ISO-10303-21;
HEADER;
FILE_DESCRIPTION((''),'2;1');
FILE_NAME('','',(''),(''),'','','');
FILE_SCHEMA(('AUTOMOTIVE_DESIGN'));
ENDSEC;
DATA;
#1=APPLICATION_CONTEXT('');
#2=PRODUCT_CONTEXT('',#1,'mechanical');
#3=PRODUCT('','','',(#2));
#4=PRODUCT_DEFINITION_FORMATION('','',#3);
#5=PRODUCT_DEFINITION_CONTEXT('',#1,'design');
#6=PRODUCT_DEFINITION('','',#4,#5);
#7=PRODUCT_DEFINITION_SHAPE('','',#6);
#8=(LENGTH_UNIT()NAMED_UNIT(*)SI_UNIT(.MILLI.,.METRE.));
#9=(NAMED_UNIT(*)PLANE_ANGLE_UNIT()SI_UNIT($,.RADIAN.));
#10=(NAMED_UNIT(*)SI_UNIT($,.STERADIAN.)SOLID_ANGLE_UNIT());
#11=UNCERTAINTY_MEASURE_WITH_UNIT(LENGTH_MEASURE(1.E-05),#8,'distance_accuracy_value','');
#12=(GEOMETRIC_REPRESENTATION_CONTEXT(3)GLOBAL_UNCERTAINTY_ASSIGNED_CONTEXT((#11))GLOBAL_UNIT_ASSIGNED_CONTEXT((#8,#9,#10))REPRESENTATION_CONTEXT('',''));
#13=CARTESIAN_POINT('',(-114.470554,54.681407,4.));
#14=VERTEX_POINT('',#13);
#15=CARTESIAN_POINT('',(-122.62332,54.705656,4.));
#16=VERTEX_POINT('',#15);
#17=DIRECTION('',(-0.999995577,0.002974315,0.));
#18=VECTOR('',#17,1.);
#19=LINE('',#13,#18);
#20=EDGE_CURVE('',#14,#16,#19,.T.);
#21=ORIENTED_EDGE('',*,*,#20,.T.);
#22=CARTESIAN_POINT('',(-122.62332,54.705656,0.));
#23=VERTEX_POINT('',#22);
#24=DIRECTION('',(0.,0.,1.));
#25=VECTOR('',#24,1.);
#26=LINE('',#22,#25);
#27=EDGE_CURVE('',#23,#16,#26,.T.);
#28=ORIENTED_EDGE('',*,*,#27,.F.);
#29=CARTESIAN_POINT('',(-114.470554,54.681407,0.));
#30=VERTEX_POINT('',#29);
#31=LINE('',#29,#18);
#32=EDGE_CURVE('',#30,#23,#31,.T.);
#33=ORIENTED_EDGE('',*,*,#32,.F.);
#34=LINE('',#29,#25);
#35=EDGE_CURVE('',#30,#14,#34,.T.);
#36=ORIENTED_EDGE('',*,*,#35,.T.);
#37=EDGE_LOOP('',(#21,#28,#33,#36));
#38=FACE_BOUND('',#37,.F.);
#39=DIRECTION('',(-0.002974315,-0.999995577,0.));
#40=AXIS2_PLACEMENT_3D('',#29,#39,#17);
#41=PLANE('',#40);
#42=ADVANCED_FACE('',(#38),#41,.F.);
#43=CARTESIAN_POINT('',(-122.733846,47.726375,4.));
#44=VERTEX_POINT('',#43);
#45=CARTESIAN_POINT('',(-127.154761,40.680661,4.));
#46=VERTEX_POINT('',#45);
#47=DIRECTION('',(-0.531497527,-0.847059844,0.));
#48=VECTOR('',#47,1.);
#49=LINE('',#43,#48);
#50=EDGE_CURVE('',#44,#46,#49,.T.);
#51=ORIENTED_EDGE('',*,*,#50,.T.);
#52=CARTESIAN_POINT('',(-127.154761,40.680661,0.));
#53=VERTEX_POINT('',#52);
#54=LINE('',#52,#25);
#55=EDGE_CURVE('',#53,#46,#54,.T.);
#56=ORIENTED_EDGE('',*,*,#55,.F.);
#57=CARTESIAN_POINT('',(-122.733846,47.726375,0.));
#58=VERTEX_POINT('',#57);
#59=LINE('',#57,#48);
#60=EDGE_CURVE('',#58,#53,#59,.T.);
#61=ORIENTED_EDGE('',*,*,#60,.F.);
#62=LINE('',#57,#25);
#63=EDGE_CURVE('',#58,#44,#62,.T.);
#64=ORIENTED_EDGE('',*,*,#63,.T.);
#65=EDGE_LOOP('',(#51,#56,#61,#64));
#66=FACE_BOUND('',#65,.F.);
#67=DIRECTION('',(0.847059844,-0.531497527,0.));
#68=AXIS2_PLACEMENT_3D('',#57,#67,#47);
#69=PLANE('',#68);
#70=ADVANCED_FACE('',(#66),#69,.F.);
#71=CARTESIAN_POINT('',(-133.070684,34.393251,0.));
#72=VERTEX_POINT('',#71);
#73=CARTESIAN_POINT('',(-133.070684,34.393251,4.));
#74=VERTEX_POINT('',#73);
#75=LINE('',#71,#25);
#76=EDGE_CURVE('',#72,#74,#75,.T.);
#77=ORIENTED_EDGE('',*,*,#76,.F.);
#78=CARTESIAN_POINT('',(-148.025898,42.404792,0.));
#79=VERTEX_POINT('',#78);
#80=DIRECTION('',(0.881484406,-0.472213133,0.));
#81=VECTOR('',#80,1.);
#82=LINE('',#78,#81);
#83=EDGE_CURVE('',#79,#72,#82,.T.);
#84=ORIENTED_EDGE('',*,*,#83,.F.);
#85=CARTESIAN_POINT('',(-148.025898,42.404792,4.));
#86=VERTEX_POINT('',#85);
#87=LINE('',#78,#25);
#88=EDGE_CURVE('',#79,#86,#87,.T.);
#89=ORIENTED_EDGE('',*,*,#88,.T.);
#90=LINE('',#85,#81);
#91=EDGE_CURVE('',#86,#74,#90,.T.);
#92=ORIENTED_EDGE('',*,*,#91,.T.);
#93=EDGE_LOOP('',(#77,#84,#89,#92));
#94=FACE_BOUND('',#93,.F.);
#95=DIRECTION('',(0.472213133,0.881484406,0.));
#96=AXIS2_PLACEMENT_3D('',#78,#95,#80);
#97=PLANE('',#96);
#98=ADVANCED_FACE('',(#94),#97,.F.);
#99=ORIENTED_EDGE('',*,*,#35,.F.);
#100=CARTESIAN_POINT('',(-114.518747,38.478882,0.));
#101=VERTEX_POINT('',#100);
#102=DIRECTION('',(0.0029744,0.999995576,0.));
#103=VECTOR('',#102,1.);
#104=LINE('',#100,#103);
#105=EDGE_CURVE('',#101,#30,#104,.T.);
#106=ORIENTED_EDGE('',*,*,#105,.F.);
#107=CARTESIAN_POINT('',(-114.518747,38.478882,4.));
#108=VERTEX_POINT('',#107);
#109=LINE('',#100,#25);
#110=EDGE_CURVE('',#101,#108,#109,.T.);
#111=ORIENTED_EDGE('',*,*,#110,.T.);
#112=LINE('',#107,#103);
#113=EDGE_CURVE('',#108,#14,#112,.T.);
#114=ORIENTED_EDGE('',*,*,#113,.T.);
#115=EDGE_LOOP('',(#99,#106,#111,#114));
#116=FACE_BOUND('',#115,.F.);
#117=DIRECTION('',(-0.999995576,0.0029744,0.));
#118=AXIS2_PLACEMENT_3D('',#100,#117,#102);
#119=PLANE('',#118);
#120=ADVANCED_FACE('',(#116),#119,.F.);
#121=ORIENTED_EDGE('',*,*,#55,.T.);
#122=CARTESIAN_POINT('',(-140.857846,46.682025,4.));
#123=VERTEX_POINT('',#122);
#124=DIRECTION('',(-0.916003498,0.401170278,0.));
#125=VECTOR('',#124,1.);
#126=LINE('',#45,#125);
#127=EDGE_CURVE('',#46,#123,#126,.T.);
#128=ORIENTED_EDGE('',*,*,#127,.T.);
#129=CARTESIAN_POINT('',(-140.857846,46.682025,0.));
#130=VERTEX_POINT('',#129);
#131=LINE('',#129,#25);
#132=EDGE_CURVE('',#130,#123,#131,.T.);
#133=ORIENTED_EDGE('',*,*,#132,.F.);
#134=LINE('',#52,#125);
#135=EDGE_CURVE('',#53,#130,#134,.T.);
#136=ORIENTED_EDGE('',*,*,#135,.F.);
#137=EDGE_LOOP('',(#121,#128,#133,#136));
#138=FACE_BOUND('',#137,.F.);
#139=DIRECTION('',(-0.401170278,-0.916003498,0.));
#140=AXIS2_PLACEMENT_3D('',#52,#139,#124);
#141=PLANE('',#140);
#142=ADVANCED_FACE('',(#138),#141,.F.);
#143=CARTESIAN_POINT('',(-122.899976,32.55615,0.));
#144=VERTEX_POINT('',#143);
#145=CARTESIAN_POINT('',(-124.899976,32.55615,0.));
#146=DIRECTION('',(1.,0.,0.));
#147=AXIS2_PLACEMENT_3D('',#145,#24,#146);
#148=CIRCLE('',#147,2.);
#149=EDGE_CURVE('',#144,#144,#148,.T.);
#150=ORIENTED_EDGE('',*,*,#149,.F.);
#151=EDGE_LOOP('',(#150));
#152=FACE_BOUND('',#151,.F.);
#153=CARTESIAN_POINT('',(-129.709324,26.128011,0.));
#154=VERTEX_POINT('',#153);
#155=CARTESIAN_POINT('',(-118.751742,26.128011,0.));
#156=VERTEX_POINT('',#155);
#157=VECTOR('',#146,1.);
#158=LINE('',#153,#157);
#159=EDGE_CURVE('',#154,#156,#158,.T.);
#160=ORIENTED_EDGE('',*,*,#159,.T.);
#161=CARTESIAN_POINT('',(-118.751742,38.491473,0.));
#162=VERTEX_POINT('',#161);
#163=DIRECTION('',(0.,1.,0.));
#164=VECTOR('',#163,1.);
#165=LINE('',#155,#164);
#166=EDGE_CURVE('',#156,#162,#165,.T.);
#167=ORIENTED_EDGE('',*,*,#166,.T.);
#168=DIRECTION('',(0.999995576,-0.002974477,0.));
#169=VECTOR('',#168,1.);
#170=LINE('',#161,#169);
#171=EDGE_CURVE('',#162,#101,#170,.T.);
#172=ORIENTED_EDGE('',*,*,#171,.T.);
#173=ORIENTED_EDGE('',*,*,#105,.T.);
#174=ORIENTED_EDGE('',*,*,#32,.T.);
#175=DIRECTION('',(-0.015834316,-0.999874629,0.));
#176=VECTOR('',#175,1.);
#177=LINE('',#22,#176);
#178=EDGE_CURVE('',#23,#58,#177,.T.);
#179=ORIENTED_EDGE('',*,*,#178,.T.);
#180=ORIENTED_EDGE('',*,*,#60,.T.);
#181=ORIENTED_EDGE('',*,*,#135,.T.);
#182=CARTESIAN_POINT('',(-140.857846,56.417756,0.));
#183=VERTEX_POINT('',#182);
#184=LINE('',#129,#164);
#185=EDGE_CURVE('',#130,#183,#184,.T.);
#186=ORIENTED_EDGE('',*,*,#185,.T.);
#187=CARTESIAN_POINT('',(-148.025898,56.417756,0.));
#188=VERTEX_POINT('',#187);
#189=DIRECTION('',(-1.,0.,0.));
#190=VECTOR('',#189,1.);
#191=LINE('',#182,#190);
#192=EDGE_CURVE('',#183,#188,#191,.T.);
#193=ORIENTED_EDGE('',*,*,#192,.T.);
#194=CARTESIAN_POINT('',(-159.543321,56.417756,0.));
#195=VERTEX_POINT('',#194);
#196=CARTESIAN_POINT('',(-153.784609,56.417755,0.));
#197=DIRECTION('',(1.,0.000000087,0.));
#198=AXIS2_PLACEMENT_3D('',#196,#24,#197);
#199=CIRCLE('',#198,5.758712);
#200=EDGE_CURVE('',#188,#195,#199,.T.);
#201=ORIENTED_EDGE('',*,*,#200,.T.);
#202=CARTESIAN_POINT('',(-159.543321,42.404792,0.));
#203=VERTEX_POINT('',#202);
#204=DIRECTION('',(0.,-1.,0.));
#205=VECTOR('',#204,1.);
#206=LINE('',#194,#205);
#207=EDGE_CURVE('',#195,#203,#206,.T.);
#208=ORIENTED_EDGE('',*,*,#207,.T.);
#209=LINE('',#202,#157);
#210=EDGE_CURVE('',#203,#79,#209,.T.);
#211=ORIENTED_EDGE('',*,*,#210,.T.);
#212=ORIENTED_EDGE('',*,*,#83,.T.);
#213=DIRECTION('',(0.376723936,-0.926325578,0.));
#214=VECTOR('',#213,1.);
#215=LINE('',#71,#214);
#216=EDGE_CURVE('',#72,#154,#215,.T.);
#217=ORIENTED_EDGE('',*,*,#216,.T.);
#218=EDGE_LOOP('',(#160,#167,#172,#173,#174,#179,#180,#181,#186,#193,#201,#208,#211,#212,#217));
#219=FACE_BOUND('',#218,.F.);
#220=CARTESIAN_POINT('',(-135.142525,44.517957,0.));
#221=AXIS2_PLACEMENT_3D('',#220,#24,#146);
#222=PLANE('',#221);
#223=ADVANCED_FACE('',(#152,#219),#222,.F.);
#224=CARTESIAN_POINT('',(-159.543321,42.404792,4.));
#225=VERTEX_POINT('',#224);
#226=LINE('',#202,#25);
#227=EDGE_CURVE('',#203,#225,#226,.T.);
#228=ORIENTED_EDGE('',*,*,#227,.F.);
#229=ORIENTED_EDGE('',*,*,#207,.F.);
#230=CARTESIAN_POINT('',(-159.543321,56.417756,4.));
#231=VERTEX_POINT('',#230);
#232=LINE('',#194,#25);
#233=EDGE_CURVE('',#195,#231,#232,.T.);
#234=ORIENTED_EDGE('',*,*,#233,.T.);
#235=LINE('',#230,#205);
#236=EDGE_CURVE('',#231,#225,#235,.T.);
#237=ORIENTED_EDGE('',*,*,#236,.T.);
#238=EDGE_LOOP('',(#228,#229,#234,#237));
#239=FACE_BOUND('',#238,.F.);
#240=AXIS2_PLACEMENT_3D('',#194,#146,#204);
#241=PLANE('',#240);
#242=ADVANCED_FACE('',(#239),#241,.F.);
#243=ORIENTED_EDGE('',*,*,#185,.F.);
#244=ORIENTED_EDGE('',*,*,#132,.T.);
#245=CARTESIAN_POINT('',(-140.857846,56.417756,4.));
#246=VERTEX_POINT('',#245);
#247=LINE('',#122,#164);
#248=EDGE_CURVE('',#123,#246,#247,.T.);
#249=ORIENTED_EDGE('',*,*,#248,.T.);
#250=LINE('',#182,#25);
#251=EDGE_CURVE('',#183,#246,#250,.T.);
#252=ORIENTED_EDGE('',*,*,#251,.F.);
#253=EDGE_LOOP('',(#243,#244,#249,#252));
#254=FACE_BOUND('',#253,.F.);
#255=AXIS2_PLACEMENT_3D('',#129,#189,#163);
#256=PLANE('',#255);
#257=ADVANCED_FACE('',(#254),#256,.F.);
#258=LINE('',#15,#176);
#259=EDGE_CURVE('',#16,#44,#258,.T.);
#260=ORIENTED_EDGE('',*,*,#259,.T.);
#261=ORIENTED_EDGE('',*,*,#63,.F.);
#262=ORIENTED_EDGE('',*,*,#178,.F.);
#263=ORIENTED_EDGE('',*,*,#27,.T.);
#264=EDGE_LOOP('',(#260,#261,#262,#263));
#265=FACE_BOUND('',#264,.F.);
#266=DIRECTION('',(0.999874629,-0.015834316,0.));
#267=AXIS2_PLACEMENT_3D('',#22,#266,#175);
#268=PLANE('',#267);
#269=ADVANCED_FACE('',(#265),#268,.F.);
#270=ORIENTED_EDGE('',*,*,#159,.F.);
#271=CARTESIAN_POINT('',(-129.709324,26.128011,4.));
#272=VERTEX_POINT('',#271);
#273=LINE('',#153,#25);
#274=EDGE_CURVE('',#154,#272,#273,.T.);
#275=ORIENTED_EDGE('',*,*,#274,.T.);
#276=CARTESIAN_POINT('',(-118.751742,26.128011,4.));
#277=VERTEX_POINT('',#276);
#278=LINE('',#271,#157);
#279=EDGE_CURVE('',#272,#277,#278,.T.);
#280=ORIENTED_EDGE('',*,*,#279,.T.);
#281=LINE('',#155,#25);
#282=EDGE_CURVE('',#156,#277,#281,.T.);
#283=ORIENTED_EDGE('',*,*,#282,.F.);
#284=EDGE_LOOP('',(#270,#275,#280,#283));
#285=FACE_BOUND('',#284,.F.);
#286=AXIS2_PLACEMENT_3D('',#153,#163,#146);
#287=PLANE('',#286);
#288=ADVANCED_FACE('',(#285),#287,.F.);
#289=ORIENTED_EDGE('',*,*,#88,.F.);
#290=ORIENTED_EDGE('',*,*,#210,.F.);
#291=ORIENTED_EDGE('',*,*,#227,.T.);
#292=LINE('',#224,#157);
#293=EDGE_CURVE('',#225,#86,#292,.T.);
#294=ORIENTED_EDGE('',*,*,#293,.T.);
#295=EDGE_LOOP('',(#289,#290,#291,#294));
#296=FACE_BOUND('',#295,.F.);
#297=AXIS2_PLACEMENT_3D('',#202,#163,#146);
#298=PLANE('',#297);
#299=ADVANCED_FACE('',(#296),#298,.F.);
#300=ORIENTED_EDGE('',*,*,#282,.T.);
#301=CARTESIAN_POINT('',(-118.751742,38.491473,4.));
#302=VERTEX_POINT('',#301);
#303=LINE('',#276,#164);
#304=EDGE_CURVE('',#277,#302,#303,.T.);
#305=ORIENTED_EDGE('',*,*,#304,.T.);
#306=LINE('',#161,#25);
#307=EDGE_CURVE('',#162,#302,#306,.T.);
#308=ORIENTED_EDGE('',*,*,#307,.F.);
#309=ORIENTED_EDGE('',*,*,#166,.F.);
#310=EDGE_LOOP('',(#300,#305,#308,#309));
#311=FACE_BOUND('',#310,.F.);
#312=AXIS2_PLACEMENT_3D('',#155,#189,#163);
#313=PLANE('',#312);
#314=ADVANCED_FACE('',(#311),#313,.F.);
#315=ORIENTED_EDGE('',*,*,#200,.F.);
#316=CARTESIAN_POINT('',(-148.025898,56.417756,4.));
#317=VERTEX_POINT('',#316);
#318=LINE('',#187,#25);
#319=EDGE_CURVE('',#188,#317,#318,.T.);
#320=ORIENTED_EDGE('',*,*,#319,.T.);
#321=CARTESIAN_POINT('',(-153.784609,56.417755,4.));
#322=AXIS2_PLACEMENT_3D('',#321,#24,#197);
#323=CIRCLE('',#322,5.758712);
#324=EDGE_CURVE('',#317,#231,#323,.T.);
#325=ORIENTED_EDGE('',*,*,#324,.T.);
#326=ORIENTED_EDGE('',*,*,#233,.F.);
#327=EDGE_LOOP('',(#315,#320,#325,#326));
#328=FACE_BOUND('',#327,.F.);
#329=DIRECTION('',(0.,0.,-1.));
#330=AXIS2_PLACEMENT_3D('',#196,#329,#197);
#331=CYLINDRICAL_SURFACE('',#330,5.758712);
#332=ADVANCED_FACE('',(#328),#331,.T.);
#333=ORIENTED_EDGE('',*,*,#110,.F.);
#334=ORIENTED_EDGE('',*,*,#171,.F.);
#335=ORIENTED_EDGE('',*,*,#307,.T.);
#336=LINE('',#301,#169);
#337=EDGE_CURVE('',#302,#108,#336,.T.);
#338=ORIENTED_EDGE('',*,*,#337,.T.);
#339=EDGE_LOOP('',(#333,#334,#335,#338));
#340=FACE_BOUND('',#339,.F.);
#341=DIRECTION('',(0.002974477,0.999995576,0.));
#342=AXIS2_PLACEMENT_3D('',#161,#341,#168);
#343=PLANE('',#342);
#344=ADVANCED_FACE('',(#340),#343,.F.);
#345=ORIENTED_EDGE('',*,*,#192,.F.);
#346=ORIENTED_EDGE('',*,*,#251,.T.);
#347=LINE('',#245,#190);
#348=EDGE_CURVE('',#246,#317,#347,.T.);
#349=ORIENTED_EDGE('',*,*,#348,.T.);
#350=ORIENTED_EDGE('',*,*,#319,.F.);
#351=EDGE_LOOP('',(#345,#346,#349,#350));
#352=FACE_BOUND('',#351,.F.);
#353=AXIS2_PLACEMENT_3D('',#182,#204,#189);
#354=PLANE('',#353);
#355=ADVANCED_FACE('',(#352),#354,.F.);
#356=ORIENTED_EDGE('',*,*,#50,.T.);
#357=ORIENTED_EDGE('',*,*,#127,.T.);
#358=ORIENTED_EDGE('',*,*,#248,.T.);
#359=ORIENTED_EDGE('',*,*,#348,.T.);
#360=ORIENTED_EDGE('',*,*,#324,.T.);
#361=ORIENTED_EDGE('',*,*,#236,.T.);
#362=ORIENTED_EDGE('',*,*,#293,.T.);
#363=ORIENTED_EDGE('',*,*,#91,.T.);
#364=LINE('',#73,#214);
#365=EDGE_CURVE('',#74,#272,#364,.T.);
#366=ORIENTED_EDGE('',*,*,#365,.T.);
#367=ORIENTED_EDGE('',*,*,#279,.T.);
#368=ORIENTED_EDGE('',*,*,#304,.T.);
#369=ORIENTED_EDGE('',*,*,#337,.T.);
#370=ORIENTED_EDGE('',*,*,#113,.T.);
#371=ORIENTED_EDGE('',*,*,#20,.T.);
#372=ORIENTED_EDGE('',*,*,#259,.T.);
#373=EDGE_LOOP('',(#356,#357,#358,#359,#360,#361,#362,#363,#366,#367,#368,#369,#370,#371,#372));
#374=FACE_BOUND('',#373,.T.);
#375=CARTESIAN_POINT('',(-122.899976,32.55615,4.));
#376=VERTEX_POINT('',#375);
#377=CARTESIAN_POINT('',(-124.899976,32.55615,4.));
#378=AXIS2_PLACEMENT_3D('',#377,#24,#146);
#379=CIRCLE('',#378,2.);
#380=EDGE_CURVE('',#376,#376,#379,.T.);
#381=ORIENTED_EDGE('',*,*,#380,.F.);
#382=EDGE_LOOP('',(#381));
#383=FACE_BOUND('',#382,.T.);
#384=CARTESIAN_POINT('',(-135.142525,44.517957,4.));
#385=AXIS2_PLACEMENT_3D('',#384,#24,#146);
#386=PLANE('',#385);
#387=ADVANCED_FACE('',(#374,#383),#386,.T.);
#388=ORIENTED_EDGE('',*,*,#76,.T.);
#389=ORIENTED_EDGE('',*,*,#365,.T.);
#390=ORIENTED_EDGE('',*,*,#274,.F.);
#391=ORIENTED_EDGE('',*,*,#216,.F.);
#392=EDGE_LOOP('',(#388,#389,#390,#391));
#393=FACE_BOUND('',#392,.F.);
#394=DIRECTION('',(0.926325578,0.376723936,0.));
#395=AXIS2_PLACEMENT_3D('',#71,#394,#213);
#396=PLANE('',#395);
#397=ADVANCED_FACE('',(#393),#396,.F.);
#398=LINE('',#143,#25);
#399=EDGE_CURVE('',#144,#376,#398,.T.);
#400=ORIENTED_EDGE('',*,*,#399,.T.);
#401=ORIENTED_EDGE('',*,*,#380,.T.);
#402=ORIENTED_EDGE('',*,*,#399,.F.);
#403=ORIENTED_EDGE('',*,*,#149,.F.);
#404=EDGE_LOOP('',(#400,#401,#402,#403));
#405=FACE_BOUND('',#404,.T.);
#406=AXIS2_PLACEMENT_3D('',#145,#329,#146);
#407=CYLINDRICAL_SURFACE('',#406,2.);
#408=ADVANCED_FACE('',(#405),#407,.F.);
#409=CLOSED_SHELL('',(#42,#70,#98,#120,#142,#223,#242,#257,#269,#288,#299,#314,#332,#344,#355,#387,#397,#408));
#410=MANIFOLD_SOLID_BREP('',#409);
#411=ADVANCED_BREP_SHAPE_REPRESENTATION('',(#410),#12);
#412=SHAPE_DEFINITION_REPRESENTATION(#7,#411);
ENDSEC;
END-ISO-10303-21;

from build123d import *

# Parameters (mm, degrees)
F0_R     = 2
F1_DEPTH = 4


with BuildPart() as f1:
    # F0 (on Top) → F1 (new body)
    with BuildSketch(Plane.XY):
        with BuildLine():
            Line((-159.543321, 56.417756), (-159.543321, 42.404792))
            Line((-159.543321, 42.404792), (-148.025898, 42.404792))
            Line((-148.025898, 42.404792), (-133.070684, 34.393251))
            Line((-133.070684, 34.393251), (-129.709324, 26.128011))
            Line((-129.709324, 26.128011), (-118.751742, 26.128011))
            Line((-118.751742, 26.128011), (-118.751742, 38.491473))
            Line((-118.751742, 38.491473), (-114.518747, 38.478882))
            Line((-114.518747, 38.478882), (-114.470554, 54.681407))
            Line((-114.470554, 54.681407), (-122.62332, 54.705656))
            Line((-122.62332, 54.705656), (-122.733846, 47.726375))
            Line((-122.733846, 47.726375), (-127.154761, 40.680661))
            Line((-127.154761, 40.680661), (-140.857846, 46.682025))
            Line((-140.857846, 46.682025), (-140.857846, 56.417756))
            Line((-140.857846, 56.417756), (-148.025898, 56.417756))
            ThreePointArc((-148.025898, 56.417756), (-153.784609, 62.176467), (-159.543321, 56.417756))
        make_face()
        with Locations((-124.899976, 32.55615)):
            Circle(F0_R, mode=Mode.SUBTRACT)
    extrude(amount=F1_DEPTH)


solid = f1.part
